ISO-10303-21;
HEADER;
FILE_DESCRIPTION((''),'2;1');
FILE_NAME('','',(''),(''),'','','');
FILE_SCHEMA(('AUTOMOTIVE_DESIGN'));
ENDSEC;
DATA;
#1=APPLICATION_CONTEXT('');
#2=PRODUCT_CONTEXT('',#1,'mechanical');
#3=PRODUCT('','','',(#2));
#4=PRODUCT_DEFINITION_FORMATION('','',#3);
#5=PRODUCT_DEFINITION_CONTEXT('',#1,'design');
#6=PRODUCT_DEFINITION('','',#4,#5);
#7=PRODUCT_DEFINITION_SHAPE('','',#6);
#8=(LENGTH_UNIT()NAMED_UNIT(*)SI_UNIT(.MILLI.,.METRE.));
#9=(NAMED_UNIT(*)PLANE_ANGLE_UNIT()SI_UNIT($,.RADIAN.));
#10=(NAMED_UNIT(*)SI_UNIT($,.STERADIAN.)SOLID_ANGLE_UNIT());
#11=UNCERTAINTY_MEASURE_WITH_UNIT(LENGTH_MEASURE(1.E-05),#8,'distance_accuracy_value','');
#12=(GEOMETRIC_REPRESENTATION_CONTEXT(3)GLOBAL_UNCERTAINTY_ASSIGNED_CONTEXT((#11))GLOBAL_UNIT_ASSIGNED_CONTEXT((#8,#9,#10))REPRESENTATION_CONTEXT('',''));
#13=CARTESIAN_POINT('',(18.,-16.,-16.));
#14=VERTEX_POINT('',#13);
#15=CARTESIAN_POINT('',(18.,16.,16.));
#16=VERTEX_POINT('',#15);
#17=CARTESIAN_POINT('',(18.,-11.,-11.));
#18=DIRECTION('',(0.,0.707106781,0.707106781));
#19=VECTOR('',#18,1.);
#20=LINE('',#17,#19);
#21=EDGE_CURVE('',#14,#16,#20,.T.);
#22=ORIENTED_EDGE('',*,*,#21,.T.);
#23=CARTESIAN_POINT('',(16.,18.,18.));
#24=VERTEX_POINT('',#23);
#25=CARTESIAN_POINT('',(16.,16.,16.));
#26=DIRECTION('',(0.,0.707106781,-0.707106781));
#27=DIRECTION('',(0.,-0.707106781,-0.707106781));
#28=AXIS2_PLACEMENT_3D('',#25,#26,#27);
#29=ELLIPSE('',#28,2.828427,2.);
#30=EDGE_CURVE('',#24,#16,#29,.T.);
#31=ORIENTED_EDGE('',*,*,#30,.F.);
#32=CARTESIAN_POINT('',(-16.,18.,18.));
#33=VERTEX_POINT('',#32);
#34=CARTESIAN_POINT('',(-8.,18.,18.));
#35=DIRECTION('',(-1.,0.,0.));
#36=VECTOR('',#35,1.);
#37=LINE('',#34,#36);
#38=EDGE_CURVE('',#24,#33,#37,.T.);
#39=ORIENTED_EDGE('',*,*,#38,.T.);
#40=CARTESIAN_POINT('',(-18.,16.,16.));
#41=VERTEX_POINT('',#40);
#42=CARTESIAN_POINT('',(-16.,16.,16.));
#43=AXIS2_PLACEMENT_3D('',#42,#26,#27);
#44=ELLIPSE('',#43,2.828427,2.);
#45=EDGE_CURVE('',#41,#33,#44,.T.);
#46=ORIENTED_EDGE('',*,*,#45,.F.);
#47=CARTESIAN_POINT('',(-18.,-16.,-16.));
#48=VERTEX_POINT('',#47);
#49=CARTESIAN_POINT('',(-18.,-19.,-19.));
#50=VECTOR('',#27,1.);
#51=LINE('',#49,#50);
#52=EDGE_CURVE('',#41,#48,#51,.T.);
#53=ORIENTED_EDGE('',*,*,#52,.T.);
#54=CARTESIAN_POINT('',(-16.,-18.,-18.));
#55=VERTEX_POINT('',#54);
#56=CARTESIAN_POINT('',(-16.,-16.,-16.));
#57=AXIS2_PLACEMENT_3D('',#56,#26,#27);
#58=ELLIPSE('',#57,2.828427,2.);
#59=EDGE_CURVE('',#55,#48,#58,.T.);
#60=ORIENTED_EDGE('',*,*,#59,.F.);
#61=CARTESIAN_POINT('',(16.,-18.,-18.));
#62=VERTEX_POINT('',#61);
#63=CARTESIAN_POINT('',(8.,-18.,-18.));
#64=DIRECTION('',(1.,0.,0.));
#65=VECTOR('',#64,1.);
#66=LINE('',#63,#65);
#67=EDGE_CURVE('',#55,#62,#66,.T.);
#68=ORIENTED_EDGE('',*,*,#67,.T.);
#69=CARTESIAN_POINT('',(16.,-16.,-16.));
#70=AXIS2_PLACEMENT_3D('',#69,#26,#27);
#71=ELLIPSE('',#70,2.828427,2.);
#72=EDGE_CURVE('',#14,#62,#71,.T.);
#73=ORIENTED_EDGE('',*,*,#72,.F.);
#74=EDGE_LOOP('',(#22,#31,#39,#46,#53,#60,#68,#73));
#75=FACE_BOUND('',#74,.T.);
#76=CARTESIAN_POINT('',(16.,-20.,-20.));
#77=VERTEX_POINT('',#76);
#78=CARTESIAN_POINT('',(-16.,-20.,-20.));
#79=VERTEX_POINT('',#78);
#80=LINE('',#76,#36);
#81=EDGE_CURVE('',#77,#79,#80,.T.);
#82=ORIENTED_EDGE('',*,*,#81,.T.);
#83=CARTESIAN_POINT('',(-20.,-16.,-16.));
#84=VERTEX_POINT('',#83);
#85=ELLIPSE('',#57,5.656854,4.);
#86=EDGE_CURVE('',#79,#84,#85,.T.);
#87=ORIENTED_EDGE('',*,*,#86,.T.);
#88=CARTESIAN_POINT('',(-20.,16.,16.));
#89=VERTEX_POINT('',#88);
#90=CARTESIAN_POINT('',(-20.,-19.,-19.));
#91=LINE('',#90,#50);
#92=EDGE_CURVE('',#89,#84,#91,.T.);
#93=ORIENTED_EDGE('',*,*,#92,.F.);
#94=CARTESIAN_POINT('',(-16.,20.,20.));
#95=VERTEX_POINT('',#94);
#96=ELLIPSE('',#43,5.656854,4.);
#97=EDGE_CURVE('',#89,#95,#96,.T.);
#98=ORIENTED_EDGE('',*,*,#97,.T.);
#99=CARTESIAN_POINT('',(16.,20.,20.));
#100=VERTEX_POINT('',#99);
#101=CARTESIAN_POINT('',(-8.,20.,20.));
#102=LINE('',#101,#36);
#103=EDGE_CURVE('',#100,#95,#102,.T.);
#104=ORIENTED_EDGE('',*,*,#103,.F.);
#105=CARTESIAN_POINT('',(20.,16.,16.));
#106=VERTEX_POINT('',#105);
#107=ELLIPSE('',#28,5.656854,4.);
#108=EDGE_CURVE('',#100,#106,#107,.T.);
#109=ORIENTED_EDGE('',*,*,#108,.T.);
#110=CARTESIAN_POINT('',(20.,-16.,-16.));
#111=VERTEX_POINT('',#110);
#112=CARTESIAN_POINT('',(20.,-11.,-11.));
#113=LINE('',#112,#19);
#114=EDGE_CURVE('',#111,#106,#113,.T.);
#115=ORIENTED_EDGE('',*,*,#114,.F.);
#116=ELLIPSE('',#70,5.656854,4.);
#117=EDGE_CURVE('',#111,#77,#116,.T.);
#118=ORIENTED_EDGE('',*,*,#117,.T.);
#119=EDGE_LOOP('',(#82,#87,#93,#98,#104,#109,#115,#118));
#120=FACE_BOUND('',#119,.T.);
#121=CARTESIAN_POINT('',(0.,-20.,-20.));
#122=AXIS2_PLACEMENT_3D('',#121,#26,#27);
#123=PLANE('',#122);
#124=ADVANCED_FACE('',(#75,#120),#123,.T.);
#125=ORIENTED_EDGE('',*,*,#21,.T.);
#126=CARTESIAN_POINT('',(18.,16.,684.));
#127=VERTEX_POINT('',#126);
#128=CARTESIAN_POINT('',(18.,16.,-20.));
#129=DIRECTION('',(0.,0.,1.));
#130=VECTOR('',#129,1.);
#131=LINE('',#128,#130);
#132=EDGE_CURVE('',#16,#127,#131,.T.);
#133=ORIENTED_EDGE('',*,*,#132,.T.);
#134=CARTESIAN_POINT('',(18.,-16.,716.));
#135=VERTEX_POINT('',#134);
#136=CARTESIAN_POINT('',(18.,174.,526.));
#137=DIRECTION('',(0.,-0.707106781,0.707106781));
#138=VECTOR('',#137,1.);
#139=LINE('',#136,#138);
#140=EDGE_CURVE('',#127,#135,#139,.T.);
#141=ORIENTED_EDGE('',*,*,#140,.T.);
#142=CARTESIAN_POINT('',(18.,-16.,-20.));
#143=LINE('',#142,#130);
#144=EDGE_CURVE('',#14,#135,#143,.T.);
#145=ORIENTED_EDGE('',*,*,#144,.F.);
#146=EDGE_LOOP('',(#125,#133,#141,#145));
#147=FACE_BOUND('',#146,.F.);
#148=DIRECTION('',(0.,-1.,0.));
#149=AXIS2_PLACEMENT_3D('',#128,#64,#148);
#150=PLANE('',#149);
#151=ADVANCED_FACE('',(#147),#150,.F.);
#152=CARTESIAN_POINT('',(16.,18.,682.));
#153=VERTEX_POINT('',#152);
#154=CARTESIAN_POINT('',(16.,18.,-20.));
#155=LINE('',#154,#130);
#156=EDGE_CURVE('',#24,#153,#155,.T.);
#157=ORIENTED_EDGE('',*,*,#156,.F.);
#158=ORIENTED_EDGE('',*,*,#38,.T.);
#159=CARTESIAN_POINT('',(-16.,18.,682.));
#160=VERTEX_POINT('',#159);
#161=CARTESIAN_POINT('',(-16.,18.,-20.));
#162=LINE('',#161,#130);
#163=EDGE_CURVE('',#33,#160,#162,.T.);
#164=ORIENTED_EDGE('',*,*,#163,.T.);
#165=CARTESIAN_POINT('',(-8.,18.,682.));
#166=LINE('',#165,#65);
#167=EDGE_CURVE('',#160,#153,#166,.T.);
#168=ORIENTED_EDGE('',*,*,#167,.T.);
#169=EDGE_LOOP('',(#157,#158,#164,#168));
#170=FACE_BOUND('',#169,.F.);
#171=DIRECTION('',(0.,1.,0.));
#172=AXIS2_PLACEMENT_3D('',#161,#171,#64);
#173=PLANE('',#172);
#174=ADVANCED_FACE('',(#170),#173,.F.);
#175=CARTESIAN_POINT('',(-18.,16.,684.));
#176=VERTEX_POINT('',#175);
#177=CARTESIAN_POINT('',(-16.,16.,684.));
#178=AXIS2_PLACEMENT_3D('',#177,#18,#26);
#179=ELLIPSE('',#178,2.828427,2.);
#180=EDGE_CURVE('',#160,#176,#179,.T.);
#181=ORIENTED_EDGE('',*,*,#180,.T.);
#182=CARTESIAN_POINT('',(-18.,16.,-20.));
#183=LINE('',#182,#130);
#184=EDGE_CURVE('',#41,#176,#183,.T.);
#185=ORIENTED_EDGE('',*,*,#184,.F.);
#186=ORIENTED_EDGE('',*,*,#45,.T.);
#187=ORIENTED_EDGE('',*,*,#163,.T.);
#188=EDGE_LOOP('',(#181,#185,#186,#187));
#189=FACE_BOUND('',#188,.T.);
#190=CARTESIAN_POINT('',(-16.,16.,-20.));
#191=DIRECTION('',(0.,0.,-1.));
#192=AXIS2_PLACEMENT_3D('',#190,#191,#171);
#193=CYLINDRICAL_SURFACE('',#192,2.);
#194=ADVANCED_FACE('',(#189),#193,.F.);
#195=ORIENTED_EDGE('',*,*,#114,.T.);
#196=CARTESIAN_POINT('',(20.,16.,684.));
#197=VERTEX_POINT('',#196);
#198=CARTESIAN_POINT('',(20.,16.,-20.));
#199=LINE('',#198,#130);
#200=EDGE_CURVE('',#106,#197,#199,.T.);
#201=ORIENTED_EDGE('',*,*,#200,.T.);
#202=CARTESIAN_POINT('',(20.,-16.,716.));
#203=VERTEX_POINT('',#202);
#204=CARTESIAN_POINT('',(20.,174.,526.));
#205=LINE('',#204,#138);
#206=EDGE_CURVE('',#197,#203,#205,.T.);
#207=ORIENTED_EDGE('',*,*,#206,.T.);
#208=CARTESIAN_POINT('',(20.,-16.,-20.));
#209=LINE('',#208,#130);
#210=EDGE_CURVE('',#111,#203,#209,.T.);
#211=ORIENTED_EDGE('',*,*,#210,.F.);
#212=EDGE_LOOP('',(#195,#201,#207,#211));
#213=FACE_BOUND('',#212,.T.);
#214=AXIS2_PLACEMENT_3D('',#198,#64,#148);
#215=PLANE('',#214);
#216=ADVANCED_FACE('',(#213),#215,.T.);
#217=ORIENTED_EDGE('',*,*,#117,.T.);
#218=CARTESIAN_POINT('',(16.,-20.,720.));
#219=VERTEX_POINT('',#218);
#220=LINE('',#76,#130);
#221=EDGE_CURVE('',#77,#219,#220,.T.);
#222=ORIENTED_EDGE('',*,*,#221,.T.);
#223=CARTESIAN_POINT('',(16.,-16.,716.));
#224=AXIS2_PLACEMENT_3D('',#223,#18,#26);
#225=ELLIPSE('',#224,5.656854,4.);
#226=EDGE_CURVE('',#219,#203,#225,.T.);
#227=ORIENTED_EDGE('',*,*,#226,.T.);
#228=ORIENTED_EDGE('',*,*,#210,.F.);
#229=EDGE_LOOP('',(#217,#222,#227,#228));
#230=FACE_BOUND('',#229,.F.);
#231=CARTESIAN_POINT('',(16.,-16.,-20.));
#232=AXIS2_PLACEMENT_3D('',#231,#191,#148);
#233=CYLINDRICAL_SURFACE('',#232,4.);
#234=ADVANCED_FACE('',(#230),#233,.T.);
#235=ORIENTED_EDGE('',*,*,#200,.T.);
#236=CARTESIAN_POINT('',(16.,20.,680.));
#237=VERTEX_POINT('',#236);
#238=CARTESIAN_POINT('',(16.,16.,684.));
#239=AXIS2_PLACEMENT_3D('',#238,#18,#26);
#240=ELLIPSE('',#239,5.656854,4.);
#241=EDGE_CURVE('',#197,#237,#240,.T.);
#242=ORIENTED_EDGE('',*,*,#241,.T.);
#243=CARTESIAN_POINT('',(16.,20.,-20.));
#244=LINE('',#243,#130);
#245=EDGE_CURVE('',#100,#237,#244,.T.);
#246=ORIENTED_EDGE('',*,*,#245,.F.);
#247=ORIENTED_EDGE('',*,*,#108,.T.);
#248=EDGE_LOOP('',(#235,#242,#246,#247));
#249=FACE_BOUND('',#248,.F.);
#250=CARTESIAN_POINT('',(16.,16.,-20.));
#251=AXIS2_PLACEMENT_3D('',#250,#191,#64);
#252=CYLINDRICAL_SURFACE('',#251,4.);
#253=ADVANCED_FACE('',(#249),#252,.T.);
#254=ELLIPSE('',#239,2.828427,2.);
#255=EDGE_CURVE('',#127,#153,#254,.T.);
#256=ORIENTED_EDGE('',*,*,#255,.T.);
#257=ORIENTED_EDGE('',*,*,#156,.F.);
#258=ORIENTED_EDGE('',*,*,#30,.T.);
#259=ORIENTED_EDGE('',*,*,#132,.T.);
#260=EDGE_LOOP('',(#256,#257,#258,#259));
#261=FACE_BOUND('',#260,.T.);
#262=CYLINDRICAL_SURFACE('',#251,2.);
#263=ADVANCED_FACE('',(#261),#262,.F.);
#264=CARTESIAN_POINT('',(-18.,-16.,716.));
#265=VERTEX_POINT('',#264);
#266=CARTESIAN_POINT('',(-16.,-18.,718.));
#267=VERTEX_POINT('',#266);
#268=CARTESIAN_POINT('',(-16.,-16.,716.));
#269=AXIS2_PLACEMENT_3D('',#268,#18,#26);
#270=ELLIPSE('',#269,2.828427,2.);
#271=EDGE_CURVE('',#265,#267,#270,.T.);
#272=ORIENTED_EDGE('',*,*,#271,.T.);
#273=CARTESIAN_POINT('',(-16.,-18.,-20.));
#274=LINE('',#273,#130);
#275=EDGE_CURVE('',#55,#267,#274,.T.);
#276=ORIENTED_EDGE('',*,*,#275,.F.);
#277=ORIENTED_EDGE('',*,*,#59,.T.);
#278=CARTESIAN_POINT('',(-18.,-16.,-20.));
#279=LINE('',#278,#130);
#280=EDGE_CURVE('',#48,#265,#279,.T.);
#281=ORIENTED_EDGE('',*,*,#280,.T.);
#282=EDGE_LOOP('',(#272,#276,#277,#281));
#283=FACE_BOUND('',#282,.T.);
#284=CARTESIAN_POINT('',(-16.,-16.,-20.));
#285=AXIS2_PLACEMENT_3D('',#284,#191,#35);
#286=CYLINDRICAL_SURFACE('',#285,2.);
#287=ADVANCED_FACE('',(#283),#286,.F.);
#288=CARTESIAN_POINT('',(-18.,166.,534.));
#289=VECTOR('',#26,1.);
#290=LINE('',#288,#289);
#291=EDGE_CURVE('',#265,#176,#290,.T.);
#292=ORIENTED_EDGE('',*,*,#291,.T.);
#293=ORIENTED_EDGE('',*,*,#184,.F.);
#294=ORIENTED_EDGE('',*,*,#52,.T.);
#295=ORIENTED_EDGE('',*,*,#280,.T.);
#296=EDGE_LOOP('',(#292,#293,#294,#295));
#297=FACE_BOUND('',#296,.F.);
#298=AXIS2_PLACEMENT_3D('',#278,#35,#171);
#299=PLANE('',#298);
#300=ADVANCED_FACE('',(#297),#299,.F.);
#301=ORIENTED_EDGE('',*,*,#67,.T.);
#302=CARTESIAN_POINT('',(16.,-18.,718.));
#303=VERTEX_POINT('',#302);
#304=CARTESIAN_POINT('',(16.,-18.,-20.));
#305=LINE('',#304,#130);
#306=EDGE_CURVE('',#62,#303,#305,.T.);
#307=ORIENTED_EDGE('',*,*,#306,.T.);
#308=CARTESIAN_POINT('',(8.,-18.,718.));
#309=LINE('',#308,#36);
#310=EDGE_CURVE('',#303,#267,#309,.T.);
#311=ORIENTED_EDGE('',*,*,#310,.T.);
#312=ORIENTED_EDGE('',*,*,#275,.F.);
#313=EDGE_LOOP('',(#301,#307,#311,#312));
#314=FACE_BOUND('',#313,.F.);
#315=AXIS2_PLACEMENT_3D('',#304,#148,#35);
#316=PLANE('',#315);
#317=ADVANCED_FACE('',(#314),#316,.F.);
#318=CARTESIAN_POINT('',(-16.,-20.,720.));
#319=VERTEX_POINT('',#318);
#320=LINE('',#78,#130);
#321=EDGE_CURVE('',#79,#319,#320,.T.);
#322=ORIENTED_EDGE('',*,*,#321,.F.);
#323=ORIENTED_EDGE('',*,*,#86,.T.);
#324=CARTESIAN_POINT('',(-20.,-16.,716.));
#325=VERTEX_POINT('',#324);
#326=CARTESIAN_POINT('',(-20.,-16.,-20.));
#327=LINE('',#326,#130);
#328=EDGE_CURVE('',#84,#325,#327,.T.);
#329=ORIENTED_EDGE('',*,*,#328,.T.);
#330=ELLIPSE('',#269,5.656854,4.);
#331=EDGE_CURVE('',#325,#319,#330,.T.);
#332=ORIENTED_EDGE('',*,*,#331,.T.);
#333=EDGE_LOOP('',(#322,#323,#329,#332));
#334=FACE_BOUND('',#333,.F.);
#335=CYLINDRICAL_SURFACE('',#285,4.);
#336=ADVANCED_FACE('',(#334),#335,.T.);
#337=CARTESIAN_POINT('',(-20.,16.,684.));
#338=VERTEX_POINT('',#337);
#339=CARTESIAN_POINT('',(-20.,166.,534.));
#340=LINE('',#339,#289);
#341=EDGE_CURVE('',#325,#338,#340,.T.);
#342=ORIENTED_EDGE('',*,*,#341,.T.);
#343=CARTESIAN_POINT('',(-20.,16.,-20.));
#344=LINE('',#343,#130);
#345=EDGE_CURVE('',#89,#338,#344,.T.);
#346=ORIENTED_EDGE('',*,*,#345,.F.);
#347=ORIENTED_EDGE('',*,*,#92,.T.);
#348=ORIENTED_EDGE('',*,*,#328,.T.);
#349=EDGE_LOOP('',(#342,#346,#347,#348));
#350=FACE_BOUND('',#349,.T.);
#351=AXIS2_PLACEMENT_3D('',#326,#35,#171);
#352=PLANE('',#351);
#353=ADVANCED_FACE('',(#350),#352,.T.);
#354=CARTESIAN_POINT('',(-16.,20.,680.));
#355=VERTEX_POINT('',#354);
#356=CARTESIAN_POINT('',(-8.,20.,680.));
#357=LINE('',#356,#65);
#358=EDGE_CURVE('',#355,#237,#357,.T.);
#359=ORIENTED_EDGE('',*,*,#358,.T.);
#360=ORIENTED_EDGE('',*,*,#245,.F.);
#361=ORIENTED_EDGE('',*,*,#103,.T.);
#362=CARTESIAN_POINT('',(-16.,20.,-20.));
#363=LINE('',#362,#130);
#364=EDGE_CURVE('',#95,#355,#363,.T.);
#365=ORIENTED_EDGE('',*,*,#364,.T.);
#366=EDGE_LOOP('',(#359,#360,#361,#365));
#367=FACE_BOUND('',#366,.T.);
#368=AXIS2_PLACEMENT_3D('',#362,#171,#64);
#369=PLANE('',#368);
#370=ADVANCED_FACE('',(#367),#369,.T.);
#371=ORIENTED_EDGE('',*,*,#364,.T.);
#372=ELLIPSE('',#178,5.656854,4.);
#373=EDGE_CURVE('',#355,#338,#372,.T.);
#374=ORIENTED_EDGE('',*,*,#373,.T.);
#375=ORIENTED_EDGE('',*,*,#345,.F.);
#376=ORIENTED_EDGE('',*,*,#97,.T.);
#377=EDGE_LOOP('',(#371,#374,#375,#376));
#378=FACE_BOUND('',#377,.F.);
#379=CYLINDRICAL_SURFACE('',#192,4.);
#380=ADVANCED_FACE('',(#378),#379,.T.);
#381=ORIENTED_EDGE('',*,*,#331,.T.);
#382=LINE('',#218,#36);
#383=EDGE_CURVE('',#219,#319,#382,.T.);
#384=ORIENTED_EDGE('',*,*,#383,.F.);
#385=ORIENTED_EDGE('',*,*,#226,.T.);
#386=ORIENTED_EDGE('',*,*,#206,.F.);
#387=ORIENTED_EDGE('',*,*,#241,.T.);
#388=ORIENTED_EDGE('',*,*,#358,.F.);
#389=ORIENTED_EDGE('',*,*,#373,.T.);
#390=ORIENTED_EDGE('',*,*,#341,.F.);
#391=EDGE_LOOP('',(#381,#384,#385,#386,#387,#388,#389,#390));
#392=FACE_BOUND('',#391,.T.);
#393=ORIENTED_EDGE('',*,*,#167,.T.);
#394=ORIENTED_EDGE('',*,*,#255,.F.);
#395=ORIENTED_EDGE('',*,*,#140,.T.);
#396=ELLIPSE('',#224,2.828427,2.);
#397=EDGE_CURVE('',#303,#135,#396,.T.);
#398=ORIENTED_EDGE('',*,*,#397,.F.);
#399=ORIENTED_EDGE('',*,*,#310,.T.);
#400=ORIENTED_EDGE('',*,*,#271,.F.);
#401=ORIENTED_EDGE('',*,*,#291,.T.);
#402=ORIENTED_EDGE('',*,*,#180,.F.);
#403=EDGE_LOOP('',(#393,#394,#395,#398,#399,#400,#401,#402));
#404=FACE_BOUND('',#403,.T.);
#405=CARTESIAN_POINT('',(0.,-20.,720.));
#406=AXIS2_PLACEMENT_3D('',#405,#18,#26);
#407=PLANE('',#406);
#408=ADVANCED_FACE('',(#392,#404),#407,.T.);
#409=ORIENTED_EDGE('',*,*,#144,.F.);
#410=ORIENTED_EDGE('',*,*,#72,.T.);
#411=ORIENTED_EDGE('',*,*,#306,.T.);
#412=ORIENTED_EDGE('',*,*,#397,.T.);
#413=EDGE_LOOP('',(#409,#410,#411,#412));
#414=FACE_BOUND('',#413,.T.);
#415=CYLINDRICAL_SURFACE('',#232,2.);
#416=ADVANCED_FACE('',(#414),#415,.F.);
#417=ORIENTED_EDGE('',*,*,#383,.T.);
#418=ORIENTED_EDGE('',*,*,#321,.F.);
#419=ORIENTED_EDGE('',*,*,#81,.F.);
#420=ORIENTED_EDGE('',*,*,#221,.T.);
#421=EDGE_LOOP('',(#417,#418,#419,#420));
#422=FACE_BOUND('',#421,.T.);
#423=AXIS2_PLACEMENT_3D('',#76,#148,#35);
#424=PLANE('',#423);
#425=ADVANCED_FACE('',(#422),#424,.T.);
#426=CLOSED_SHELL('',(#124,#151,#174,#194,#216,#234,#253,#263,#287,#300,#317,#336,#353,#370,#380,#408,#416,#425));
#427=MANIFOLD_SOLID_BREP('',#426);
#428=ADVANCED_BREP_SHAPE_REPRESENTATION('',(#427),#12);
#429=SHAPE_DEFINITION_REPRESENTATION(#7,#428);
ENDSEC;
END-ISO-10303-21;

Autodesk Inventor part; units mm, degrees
ref_plane "Start plane" through (0, 0, -20) normal (0, 0, 1) x (1, 0, 0)
ref_plane "End plane" through (0, 0, 720) normal (0, 0, 1) x (1, 0, 0)
sketch "Sketch" plane through (0, 0, 0) normal (0, 0, 1) x (1, 0, 0)
  line L0 (-20, -16) -> (-20, 16)
  line L1 (-16, 20) -> (16, 20)
  line L2 (20, 16) -> (20, -16)
  line L3 (16, -20) -> (-16, -20)
  arc A0 (-20, -16) -> (-16, -20) centre (-16, -16) ccw
  arc A1 (20, 16) -> (16, 20) centre (16, 16) ccw
  arc A2 (-16, 20) -> (-20, 16) centre (-16, 16) ccw
  arc A3 (16, -20) -> (20, -16) centre (16, -16) ccw
  arc A4 (-16, 18) -> (-18, 16) centre (-16, 16) ccw
  line L4 (-16, 18) -> (16, 18)
  arc A5 (18, 16) -> (16, 18) centre (16, 16) ccw
  line L5 (18, 16) -> (18, -16)
  arc A6 (16, -18) -> (18, -16) centre (16, -16) ccw
  line L6 (16, -18) -> (-16, -18)
  arc A7 (-18, -16) -> (-16, -18) centre (-16, -16) ccw
  line L7 (-18, -16) -> (-18, 16)
  line L8 (0, 29.1598) -> (0, -29.1598) construction
  line L9 (-29.1598, 0) -> (29.1598, 0) construction
  dimension "d7" = 4
  dimension "d9" = 40
  dimension "d11" = 40
  dimension "d12" = 2
  dimension "d15" = 20
  dimension "d16" = 20
extrude "Body" add sketch "Sketch" along normal up to surface (740 mm away) from surface at -20
sketch "Sketch3" plane through (0, 0, 0) normal (0, 0, 1) x (1, 0, 0)
  line L0 (0, 0) -> (10, 0)
ref_plane "Work Plane3" through (0, 0, 0) normal (0, -1, 0) x (1, 0, 0)
sketch "Sketch4" plane through (0, 0, 0) normal (0, -1, 0) x (1, 0, 0)
  line L0 (-2, -20) -> (12, -20)
  line L1 (-2, 720) -> (12, 720)
  dimension "d18" = 740
ref_plane "Work Plane4" through (0, -20, -20) normal (0, 0.7071, -0.7071) x (1, 0, 0)
split "Split1" plane through (0, -20, -20) removes the side toward (0, 0.7071, -0.7071)
ref_plane "Work Plane5" through (0, -20, 720) normal (0, 0.7071, 0.7071) x (1, 0, 0)
split "Split2" plane through (0, -20, 720) removes the side toward (0, 0.7071, 0.7071)
equation "\"d7\" = G_IR"
equation "\"d9\" = G_W"
equation "\"d11\" = G_H"
equation "\"d12\" = G_T"
equation "\"d15\" = 0.5 * d9"
equation "\"d16\" = 0.5 * d11"
equation "\"d3\" = G_L"
equation "\"G_W\" = 40"
equation "\"G_H\" = 40"
equation "\"G_T\" = 2"
equation "\"G_IR\" = 4"
equation "\"G_L\" = d18"
equation "\"G_OFFSET_START\" = 20"
equation "\"G_OFFSET_END\" = 20"
equation "\"d13\" = -G_OFFSET_START"
equation "\"d14\" = G_OFFSET_END + B_L"
equation "\"B_L\" = 700"
properties part number "ISO 4019 - 40x40x2 - 740" material "Steel, Mild"
